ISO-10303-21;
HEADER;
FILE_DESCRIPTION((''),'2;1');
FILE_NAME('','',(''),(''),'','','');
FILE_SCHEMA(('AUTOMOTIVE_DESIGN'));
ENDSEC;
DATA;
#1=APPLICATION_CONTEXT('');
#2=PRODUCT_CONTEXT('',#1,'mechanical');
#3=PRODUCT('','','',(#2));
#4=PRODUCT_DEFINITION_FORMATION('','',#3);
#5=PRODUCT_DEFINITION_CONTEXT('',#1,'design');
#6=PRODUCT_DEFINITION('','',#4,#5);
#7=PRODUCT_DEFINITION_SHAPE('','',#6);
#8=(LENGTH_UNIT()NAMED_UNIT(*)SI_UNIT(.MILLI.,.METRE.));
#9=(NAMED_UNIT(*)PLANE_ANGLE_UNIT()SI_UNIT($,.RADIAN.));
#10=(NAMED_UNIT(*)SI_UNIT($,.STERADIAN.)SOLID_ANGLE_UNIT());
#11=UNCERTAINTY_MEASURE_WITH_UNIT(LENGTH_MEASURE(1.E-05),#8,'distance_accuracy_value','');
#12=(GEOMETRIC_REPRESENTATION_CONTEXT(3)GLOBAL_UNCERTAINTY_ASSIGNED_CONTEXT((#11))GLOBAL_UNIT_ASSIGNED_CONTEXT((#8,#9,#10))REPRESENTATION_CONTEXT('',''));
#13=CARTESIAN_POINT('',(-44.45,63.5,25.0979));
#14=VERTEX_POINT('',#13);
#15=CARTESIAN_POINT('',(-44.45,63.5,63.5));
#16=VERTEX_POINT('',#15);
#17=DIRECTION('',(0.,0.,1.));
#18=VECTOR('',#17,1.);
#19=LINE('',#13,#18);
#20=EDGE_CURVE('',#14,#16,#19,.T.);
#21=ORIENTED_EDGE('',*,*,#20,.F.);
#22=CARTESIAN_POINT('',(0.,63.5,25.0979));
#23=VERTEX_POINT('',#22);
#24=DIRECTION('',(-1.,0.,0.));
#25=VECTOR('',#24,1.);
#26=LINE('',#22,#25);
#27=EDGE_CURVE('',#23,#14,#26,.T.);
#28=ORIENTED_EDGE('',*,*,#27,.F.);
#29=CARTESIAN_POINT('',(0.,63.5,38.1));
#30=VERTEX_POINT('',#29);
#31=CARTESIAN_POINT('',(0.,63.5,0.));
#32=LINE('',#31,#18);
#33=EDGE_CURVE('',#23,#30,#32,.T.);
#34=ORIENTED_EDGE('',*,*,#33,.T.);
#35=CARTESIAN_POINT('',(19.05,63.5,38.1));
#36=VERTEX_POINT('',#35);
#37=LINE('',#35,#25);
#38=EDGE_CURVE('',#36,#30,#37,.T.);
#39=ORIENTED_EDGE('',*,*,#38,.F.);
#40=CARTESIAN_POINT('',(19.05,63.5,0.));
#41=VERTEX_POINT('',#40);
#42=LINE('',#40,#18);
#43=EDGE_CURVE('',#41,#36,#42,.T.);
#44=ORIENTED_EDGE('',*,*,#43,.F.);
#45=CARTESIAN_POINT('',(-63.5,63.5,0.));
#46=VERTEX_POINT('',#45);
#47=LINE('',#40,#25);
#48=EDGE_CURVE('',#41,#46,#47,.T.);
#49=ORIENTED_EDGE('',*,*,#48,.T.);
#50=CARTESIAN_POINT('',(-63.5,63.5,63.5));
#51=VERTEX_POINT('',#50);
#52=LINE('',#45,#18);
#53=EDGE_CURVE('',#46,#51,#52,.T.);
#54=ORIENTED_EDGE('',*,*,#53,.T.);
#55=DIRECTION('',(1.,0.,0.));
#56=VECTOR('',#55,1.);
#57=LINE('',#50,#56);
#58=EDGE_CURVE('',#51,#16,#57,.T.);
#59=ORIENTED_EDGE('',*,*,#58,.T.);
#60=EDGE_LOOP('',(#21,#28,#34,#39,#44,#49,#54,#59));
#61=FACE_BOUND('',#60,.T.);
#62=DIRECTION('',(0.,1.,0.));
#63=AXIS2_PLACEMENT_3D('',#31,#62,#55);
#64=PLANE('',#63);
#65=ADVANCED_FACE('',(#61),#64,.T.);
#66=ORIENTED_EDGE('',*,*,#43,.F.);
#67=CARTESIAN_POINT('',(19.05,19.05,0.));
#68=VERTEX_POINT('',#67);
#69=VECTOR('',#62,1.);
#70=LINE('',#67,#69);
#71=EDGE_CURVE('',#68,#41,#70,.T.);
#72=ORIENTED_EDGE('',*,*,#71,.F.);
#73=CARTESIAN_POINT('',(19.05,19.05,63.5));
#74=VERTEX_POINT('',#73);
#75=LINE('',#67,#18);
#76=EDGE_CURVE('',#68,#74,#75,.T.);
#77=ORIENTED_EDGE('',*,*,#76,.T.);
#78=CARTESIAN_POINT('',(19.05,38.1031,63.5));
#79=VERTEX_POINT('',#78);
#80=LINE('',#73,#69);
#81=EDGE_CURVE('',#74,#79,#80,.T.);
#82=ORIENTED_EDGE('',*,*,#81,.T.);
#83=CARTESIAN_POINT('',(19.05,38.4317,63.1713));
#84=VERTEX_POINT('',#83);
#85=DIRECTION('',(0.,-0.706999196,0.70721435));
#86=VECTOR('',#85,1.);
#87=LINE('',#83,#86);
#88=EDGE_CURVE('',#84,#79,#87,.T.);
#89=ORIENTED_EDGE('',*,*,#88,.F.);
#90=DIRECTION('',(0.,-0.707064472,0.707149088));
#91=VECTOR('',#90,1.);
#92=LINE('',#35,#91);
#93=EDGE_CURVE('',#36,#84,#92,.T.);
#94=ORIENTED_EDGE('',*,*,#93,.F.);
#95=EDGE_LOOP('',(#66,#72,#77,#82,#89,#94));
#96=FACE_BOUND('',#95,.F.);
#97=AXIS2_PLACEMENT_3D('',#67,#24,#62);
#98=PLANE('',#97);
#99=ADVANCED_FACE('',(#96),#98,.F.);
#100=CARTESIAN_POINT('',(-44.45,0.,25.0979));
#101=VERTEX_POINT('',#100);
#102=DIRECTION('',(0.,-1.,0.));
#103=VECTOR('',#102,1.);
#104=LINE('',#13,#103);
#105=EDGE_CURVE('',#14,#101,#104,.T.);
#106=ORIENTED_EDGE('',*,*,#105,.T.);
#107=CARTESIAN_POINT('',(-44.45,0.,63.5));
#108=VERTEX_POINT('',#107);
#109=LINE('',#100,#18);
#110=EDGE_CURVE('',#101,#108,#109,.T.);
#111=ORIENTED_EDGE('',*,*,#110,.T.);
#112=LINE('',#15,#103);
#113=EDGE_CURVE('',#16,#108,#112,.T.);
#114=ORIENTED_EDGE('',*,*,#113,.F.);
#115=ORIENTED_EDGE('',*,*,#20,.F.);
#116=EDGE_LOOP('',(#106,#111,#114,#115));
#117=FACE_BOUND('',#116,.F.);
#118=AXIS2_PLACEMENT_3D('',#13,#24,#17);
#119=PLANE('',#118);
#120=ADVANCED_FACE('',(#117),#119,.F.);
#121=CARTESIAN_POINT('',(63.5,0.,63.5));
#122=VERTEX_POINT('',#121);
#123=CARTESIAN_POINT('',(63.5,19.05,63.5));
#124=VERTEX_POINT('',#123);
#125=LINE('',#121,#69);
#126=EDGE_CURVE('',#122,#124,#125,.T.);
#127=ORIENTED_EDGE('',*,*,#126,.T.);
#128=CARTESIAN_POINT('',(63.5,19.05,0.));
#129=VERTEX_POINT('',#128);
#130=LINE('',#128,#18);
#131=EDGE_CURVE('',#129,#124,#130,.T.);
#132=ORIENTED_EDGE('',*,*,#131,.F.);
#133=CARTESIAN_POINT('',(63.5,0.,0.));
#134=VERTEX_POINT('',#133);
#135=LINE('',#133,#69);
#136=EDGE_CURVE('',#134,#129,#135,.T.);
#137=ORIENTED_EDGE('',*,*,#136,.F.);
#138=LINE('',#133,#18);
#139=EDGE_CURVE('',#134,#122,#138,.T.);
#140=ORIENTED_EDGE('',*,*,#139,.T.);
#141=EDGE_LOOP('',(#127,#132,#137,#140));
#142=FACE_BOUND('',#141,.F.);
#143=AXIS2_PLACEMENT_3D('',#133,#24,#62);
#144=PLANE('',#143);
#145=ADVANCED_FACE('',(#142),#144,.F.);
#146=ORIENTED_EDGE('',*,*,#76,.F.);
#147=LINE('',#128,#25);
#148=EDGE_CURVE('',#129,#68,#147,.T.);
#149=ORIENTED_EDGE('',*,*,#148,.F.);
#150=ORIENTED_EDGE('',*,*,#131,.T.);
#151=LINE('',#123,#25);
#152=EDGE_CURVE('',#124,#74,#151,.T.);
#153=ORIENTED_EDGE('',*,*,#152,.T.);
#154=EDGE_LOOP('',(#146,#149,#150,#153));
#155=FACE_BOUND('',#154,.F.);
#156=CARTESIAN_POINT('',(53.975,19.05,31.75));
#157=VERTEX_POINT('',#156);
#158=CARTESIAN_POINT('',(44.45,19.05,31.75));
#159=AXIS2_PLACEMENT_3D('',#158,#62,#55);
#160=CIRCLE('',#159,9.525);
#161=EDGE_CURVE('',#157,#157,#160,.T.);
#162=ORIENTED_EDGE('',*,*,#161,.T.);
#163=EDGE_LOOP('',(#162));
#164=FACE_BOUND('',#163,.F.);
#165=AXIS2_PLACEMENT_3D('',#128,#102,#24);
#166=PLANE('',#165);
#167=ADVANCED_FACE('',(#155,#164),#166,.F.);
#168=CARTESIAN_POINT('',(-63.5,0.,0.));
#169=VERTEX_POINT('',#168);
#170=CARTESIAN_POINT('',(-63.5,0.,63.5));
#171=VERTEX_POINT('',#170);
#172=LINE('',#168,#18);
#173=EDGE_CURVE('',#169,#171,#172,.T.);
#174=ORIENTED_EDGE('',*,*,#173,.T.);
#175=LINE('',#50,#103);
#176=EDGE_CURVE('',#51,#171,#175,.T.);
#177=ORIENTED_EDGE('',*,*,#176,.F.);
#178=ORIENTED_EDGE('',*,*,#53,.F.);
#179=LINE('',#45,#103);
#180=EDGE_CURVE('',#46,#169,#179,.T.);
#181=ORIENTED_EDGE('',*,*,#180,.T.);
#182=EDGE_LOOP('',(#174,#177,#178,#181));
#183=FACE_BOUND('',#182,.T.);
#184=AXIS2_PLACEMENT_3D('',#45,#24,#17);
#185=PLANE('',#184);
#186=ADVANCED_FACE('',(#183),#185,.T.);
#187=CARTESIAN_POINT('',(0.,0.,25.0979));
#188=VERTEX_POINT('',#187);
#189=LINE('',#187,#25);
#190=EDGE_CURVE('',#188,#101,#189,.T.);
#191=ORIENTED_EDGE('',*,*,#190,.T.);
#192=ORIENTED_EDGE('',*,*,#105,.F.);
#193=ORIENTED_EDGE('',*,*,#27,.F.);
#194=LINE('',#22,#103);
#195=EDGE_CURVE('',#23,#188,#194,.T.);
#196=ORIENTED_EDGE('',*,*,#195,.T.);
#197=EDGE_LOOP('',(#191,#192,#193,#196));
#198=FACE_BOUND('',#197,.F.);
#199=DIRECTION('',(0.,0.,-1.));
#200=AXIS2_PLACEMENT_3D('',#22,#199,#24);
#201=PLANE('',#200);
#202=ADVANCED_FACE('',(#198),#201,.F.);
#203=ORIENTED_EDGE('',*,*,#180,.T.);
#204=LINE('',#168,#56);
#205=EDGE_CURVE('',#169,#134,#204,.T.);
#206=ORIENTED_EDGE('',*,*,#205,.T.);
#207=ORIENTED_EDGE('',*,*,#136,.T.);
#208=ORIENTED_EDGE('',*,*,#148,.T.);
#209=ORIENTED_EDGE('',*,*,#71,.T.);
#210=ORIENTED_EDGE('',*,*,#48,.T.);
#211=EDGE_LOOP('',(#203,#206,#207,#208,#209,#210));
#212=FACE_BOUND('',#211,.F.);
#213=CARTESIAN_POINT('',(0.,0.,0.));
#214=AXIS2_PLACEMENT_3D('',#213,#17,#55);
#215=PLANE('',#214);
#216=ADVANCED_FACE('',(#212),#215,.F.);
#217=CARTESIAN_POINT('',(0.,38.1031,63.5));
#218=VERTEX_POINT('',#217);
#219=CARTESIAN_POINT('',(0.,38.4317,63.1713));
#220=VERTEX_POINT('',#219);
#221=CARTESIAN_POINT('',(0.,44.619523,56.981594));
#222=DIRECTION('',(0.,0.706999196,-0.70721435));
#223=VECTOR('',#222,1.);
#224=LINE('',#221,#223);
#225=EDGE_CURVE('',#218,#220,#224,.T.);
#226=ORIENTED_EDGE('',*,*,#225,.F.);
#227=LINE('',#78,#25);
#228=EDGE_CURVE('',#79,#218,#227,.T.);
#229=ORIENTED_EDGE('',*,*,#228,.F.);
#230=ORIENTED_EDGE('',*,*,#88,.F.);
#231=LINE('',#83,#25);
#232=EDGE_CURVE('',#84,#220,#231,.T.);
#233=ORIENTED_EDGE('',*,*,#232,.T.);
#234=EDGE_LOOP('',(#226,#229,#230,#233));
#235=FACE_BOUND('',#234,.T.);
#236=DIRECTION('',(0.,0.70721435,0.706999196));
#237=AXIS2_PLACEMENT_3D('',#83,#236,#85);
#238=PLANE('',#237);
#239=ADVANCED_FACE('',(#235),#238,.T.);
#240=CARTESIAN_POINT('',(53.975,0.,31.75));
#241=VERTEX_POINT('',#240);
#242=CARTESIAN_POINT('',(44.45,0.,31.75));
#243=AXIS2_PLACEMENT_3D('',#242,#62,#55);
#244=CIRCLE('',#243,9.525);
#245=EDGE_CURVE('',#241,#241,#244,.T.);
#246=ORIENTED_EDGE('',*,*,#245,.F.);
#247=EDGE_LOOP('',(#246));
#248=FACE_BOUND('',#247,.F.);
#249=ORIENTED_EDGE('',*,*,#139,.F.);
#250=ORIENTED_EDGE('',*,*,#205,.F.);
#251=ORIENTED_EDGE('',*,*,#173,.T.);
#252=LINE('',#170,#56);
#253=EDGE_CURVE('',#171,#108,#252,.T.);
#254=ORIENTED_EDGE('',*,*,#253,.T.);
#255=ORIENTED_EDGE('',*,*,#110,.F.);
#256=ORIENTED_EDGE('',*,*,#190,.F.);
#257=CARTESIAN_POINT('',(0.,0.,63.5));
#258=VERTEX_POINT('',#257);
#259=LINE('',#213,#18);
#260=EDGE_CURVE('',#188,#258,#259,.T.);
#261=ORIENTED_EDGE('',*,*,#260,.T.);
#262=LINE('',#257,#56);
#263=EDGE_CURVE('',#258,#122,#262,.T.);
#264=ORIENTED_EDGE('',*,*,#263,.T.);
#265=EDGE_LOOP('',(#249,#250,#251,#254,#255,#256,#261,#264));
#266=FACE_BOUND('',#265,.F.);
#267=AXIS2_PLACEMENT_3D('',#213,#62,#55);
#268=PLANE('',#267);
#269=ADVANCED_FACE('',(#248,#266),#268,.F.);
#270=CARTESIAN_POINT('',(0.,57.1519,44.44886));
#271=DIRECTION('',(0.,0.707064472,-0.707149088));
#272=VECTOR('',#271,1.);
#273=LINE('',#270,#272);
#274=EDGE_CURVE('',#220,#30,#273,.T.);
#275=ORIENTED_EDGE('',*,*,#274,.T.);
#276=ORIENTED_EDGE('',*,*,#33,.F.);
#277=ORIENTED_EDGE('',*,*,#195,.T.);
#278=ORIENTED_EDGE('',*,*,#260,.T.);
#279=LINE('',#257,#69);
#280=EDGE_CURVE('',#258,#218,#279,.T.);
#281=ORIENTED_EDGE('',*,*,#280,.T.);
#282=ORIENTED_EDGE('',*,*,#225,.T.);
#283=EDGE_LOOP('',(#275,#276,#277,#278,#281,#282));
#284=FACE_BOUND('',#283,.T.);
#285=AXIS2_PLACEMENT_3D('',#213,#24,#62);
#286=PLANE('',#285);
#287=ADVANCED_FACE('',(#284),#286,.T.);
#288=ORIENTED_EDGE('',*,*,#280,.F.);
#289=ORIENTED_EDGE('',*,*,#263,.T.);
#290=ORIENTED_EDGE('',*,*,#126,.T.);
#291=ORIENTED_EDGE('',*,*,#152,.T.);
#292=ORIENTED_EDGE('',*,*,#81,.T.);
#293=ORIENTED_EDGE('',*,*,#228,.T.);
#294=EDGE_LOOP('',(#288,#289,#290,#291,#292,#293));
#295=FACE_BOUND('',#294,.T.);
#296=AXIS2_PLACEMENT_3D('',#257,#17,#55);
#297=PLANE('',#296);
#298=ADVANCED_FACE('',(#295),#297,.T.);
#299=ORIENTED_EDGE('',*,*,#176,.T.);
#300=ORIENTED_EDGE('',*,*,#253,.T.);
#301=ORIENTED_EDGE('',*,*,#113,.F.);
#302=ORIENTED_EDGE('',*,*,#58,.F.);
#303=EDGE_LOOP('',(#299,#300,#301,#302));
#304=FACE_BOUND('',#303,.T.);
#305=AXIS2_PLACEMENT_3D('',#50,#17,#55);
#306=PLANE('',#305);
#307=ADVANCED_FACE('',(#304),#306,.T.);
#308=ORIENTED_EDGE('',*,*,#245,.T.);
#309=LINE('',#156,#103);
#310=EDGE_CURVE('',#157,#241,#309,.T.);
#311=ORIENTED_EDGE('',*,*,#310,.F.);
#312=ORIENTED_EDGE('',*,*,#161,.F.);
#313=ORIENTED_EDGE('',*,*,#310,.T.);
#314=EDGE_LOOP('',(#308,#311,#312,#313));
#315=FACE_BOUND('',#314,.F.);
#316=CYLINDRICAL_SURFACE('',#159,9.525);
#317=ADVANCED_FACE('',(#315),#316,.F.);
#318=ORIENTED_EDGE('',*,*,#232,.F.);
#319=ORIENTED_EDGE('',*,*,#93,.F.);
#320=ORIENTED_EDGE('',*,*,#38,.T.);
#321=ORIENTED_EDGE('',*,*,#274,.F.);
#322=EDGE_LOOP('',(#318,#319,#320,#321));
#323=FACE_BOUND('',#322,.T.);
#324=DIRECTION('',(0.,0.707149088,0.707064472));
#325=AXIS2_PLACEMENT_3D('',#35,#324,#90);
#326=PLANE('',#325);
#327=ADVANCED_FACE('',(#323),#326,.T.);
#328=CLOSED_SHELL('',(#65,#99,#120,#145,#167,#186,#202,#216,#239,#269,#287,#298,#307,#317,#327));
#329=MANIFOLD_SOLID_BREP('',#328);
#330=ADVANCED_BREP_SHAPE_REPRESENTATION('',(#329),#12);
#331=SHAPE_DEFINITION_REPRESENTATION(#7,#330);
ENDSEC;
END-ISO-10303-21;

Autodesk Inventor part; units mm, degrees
ref_plane "YZ Plane" through (0, 0, 0) normal (1, 0, 0) x (0, 1, 0)
ref_plane "XZ Plane" through (0, 0, 0) normal (0, 1, 0) x (-1, 0, 0)
ref_plane "XY Plane" through (0, 0, 0) normal (0, 0, 1) x (1, 0, 0)
sketch "Sketch1" plane through (0, 0, 0) normal (0, 0, 1) x (1, 0, 0)
  line L0 (0, 0) -> (0, 63.5)
  line L1 (0, 63.5) -> (19.05, 63.5)
  line L2 (0, 0) -> (63.5, 0)
  line L3 (63.5, 0) -> (63.5, 19.05)
  line L4 (63.5, 19.05) -> (19.05, 19.05)
  line L5 (19.05, 19.05) -> (19.05, 63.5)
  dimension "d3" = 63.5
  dimension "d6" = 19.05
  dimension "d7" = 63.5
  dimension "d8" = 19.05
  dimension "d9" = 44.45
  dimension "d10" = 44.45
extrude "Extrusion1" add sketch "Sketch1" along normal blind 63.5
sketch "Sketch2" plane through (0, 63.5, 0) normal (0, 1, 0) x (1, 0, 0)
  line L0 (0, 0) -> (-63.5, 0)
  line L1 (-63.5, 0) -> (-63.5, -63.5)
  line L2 (-63.5, -63.5) -> (-44.45, -63.5)
  line L3 (0, 0) -> (0, -63.5) projected
  line L4 (0, -6.0479) -> (0, -25.0979)
  line L5 (0, -25.0979) -> (-44.45, -25.0979)
  line L6 (-44.45, -25.0979) -> (-44.45, -63.5)
  dimension "d19" = 63.5
  dimension "d20" = 63.5
  dimension "d21" = 19.05
  dimension "d22" = 19.05
  dimension "d23" = 38.4021
  dimension "d24" = 44.45
extrude "Extrusion2" add sketch "Sketch2" against normal blind 63.5
sketch "Sketch3" plane through (19.05, 19.05, 0) normal (0, 1, 0) x (1, 0, 0)
  line L0 (44.45, 0) -> (44.45, -63.5) projected
  line L1 (-82.55, 0) -> (44.45, 0) projected
  circle A0 centre (25.4, -31.75) radius 9.525
  point P0 (-19.05, 0)
  dimension "d29" = 19.05
extrude "Extrusion3" cut sketch "Sketch3" along normal blind 63.5 and the other way blind 31.75
sketch "Sketch4" plane through (19.05, 19.05, 0) normal (1, 0, 0) x (0, 0, -1)
  line L0 (-63.5, 44.45) -> (-25.0979, 44.45) projected
  line L1 (-63.5, 44.45) -> (-38.1, 44.45)
  line L2 (-38.1, 44.45) -> (-63.1713, 19.3817)
  line L3 (-63.1713, 19.3817) -> (-63.5, 19.0531)
  line L4 (-63.5, 44.45) -> (-63.5, -19.05) projected
  point P0 (0, -19.05)
  dimension "d34" = 25.4
extrude "Extrusion4" cut sketch "Sketch4" against normal blind 50.8
properties part number "INVENTOR_TUT" material "Polypropylene"
